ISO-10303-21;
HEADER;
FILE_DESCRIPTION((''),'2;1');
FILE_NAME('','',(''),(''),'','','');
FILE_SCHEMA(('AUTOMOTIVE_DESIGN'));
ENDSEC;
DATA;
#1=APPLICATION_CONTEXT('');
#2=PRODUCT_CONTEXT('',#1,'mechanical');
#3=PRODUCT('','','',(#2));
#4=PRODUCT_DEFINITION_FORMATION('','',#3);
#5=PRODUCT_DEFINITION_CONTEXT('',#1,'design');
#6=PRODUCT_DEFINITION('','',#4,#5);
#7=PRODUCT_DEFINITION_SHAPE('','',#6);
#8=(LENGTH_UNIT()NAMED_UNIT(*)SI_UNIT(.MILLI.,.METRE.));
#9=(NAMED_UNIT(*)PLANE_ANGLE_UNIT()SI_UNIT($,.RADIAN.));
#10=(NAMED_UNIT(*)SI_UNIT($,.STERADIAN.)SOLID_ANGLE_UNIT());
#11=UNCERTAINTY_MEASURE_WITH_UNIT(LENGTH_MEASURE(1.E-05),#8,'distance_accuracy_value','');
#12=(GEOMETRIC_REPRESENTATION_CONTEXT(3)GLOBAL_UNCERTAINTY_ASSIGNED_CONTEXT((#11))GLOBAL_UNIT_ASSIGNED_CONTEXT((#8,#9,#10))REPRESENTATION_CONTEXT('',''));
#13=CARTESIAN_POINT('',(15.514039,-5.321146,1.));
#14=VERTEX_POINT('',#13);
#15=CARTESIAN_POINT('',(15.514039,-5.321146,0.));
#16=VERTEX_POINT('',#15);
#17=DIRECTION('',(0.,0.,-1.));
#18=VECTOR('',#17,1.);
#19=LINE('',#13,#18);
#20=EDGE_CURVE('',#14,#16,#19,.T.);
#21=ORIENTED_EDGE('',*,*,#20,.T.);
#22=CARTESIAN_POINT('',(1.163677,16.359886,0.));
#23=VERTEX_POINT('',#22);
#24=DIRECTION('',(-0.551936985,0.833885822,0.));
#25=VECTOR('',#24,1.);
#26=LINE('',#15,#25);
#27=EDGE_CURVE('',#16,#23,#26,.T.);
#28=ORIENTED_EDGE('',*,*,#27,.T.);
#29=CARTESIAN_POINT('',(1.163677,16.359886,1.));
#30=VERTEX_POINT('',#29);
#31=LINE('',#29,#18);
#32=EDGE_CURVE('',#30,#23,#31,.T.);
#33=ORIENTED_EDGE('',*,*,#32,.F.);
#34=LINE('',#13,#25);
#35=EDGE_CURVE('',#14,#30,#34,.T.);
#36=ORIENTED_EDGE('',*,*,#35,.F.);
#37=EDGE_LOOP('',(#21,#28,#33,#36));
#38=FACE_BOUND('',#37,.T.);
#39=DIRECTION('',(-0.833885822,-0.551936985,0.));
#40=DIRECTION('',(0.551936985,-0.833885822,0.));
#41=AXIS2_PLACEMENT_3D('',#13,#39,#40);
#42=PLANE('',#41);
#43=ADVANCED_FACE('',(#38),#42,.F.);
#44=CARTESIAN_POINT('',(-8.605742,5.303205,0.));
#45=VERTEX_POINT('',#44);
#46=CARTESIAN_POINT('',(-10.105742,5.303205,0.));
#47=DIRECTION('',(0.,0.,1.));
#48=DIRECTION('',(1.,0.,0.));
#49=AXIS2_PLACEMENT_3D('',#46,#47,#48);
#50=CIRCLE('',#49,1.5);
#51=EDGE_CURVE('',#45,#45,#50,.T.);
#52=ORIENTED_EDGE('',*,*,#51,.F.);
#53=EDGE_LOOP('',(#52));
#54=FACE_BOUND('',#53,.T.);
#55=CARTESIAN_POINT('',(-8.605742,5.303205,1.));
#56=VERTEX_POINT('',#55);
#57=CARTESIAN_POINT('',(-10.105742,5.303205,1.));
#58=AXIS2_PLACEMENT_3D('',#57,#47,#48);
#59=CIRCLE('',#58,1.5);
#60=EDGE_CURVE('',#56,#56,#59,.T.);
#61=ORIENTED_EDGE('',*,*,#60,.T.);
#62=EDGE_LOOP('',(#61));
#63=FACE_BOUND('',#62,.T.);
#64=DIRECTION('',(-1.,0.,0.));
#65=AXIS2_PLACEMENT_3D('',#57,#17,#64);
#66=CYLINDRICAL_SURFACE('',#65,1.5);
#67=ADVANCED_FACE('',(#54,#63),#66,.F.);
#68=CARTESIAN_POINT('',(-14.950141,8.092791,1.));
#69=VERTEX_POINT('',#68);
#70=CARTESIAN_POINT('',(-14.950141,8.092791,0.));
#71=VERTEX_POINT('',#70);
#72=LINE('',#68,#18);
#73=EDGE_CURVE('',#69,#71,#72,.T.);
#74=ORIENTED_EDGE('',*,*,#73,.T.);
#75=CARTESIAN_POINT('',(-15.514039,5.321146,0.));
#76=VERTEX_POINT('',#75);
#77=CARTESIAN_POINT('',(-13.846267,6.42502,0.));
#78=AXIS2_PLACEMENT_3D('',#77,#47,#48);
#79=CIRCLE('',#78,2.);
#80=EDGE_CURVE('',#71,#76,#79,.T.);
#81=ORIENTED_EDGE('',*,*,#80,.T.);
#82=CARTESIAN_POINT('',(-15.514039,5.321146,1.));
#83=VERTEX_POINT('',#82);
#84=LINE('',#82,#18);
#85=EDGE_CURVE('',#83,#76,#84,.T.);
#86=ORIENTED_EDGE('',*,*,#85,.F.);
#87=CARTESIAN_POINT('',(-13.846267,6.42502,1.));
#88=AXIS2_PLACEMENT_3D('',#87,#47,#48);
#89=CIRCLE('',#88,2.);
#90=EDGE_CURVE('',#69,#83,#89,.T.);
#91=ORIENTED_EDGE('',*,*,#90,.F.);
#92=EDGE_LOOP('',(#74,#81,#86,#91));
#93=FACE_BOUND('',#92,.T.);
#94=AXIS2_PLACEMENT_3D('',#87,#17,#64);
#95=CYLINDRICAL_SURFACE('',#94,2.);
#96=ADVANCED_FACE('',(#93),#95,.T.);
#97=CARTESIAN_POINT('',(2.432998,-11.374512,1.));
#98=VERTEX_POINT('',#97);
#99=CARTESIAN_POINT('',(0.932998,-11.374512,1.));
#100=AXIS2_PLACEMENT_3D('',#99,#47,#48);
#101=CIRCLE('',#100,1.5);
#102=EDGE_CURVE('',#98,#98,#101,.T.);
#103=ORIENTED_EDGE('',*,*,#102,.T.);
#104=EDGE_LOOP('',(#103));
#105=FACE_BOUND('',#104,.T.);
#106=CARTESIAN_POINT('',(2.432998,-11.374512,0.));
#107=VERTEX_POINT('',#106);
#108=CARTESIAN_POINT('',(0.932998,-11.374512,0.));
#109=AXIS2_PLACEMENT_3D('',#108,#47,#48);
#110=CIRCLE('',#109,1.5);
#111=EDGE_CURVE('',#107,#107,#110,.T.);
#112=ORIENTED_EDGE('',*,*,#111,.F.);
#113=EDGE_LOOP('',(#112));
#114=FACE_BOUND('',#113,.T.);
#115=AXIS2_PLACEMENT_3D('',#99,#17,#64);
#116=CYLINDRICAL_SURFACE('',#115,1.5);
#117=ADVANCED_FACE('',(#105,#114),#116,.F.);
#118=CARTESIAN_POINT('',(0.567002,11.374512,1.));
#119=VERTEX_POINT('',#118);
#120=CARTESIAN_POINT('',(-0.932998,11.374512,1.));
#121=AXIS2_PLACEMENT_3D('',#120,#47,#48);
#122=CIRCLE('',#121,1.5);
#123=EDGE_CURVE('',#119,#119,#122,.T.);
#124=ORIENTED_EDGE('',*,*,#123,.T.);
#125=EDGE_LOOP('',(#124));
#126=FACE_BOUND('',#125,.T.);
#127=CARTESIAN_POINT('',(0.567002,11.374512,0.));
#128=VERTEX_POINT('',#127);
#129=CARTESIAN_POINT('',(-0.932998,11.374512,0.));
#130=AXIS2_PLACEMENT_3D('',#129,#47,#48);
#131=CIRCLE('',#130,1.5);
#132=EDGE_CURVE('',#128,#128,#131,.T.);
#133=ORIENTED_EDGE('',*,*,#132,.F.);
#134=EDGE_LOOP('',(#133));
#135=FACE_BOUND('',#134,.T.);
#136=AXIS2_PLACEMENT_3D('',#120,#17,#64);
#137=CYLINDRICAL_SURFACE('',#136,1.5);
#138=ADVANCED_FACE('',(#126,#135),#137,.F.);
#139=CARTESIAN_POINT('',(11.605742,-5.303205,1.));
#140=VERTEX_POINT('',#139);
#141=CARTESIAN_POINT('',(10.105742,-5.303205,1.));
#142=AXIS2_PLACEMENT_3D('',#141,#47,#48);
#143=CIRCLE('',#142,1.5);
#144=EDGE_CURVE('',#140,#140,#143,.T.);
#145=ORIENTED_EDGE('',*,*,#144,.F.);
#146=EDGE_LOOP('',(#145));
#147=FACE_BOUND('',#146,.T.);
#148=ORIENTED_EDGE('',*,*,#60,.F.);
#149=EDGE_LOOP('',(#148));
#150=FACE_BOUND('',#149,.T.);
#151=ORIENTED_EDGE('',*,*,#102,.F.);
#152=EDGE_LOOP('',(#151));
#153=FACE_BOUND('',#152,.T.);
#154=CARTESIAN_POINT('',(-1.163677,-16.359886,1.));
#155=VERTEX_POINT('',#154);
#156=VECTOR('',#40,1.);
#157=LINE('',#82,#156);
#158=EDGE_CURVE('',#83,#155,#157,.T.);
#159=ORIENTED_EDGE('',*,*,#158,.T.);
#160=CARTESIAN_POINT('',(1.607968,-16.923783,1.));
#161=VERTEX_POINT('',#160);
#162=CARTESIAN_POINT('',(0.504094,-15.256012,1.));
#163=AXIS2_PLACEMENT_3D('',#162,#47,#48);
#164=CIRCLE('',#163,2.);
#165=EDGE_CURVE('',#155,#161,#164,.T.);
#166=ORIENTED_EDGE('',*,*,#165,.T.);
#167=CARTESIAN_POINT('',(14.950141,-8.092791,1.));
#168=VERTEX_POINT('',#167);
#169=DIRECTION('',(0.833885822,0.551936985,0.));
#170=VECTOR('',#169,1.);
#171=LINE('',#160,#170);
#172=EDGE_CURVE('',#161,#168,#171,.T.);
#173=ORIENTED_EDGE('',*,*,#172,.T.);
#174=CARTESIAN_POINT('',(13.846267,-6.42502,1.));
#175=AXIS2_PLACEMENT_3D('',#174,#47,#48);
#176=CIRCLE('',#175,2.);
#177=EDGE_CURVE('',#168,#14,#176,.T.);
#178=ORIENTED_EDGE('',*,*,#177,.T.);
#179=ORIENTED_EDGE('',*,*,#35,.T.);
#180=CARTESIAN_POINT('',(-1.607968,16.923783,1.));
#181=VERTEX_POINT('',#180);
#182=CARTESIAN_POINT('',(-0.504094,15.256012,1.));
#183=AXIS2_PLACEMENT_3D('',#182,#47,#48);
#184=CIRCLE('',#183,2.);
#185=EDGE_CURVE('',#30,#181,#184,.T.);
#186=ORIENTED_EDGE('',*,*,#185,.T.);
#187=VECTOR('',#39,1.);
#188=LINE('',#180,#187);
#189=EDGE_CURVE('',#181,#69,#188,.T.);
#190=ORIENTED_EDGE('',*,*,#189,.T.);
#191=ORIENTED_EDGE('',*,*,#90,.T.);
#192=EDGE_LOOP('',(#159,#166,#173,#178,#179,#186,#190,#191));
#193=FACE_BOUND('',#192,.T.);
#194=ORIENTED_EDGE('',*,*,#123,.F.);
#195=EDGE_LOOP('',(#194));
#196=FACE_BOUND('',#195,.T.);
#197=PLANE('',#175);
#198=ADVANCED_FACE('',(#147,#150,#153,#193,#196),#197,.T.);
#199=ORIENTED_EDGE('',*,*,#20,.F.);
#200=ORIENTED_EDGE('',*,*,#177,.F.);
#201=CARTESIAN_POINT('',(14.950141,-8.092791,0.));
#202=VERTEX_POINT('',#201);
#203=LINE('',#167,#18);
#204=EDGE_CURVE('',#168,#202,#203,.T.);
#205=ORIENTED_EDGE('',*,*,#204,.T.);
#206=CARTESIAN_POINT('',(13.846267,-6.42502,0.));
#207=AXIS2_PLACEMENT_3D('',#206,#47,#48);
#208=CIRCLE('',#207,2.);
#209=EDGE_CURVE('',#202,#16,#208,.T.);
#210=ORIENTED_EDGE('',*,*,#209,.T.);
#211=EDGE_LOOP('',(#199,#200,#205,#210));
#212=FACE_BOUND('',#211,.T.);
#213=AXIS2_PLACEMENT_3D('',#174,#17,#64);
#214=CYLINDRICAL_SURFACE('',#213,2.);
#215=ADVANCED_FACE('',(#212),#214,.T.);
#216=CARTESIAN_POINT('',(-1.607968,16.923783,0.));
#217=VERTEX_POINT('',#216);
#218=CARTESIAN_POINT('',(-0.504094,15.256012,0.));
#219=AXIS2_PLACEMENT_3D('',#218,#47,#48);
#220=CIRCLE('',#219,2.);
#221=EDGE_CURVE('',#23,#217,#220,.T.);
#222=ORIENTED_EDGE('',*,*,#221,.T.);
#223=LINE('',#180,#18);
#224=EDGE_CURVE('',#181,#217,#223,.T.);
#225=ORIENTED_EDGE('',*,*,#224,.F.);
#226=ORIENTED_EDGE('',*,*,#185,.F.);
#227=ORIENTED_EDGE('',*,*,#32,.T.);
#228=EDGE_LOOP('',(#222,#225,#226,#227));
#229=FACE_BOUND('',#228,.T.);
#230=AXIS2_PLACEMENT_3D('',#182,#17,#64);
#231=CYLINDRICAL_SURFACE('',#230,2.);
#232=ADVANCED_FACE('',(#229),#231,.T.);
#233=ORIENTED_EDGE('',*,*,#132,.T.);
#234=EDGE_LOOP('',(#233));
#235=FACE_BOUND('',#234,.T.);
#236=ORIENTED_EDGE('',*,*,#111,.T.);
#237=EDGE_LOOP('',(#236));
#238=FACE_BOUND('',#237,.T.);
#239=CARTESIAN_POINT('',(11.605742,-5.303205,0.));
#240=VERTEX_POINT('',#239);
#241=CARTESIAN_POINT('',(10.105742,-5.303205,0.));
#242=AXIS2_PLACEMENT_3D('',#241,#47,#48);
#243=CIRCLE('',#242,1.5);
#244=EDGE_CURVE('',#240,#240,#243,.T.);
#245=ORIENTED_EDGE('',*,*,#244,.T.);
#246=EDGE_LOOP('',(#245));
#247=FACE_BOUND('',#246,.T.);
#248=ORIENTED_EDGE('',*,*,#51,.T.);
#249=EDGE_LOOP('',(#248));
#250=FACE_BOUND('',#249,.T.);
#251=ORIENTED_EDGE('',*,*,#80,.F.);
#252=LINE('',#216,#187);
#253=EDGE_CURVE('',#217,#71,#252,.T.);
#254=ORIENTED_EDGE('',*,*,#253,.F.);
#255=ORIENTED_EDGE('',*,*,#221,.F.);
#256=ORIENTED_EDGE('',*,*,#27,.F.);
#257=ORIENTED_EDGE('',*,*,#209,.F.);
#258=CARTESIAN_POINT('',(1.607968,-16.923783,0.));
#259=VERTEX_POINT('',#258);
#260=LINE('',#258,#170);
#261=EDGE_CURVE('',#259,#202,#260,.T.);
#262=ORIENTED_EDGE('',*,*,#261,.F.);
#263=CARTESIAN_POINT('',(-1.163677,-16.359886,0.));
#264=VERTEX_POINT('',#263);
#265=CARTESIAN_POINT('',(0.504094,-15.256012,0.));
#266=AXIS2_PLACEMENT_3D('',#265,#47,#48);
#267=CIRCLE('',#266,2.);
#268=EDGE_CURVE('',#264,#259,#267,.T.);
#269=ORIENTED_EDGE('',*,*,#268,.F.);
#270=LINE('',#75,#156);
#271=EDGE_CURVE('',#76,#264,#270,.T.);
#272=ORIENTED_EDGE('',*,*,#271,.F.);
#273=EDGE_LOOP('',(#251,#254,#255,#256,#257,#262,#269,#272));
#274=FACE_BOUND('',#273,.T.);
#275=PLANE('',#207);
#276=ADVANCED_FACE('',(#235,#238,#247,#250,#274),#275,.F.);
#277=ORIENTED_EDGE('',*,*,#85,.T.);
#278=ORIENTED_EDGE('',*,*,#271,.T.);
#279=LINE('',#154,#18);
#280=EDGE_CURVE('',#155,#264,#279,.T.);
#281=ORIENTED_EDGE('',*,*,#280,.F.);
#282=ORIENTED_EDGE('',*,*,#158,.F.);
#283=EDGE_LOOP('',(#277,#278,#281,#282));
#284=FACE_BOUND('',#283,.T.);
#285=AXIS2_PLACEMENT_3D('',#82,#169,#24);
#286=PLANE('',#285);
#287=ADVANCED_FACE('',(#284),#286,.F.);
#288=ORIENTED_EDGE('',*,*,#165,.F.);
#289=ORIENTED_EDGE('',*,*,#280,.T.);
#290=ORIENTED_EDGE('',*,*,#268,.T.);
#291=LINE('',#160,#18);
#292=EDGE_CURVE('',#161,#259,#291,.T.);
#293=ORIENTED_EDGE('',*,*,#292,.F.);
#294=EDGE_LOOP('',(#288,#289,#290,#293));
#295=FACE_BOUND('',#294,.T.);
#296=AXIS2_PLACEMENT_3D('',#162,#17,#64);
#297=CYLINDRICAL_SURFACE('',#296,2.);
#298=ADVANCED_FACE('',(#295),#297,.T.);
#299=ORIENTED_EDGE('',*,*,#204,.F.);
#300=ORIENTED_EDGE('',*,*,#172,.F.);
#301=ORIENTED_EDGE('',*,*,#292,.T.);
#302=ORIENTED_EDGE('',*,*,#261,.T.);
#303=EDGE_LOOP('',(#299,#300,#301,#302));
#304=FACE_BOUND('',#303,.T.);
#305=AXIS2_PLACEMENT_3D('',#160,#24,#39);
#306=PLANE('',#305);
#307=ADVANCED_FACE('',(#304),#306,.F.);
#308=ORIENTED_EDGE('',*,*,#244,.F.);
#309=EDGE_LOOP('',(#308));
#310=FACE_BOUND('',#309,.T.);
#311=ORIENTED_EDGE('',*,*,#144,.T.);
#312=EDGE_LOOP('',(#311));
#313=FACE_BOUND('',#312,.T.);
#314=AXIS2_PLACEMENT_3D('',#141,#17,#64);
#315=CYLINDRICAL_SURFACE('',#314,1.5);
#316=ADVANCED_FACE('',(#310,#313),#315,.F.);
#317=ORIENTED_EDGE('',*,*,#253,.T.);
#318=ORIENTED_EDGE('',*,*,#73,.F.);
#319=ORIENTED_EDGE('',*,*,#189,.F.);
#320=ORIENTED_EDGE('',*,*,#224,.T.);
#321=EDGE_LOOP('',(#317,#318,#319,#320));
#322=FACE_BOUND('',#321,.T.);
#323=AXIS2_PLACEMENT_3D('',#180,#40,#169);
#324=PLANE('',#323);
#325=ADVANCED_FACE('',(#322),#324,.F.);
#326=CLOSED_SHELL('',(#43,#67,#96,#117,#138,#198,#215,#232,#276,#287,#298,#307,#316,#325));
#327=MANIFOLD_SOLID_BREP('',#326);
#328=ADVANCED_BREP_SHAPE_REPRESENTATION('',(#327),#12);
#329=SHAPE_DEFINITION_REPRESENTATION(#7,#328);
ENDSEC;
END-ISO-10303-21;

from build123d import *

# Parameters (mm, degrees)
EXTRUDE_1_DEPTH = 1


with BuildPart() as part:
    # 草图1 → 凸台-拉伸1 (new body)
    with BuildSketch(Plane.XY):
        with BuildLine():
            Line((15.51403903, -5.321145834), (1.163677412, 16.35988554))
            ThreePointArc((1.163677412, 16.35988554), (-0.105358364, 17.215860979), (-1.607968203, 16.923783214))
            Line((-1.607968203, 16.923783214), (-14.950141356, 8.092791449))
            ThreePointArc((-14.950141356, 8.092791449), (-15.806116795, 6.823755673), (-15.51403903, 5.321145834))
            Line((-15.51403903, 5.321145834), (-1.163677412, -16.35988554))
            ThreePointArc((-1.163677412, -16.35988554), (0.105358364, -17.215860979), (1.607968203, -16.923783214))
            Line((1.607968203, -16.923783214), (14.950141356, -8.092791449))
            ThreePointArc((14.950141356, -8.092791449), (15.806116795, -6.823755673), (15.51403903, -5.321145834))
        make_face()
        with BuildLine():
            ThreePointArc((11.356570608, -4.475299323), (9.277836397, -4.052376068), (8.854913141, -6.131110279))
            ThreePointArc((8.854913141, -6.131110279), (10.933647352, -6.554033535), (11.356570608, -4.475299323))
        make_face(mode=Mode.SUBTRACT)
        with BuildLine():
            ThreePointArc((2.183826565, -10.546606162), (0.105092354, -10.123682907), (-0.317830901, -12.202417118))
            ThreePointArc((-0.317830901, -12.202417118), (1.76090331, -12.625340373), (2.183826565, -10.546606162))
        make_face(mode=Mode.SUBTRACT)
        with BuildLine():
            ThreePointArc((-8.854913141, 6.131110279), (-10.933647352, 6.554033535), (-11.356570608, 4.475299323))
            ThreePointArc((-11.356570608, 4.475299323), (-9.277836397, 4.052376068), (-8.854913141, 6.131110279))
        make_face(mode=Mode.SUBTRACT)
        with BuildLine():
            ThreePointArc((0.317830901, 12.202417118), (-1.76090331, 12.625340373), (-2.183826565, 10.546606162))
            ThreePointArc((-2.183826565, 10.546606162), (-0.105092354, 10.123682907), (0.317830901, 12.202417118))
        make_face(mode=Mode.SUBTRACT)
    extrude(amount=EXTRUDE_1_DEPTH)


solid = part.part
